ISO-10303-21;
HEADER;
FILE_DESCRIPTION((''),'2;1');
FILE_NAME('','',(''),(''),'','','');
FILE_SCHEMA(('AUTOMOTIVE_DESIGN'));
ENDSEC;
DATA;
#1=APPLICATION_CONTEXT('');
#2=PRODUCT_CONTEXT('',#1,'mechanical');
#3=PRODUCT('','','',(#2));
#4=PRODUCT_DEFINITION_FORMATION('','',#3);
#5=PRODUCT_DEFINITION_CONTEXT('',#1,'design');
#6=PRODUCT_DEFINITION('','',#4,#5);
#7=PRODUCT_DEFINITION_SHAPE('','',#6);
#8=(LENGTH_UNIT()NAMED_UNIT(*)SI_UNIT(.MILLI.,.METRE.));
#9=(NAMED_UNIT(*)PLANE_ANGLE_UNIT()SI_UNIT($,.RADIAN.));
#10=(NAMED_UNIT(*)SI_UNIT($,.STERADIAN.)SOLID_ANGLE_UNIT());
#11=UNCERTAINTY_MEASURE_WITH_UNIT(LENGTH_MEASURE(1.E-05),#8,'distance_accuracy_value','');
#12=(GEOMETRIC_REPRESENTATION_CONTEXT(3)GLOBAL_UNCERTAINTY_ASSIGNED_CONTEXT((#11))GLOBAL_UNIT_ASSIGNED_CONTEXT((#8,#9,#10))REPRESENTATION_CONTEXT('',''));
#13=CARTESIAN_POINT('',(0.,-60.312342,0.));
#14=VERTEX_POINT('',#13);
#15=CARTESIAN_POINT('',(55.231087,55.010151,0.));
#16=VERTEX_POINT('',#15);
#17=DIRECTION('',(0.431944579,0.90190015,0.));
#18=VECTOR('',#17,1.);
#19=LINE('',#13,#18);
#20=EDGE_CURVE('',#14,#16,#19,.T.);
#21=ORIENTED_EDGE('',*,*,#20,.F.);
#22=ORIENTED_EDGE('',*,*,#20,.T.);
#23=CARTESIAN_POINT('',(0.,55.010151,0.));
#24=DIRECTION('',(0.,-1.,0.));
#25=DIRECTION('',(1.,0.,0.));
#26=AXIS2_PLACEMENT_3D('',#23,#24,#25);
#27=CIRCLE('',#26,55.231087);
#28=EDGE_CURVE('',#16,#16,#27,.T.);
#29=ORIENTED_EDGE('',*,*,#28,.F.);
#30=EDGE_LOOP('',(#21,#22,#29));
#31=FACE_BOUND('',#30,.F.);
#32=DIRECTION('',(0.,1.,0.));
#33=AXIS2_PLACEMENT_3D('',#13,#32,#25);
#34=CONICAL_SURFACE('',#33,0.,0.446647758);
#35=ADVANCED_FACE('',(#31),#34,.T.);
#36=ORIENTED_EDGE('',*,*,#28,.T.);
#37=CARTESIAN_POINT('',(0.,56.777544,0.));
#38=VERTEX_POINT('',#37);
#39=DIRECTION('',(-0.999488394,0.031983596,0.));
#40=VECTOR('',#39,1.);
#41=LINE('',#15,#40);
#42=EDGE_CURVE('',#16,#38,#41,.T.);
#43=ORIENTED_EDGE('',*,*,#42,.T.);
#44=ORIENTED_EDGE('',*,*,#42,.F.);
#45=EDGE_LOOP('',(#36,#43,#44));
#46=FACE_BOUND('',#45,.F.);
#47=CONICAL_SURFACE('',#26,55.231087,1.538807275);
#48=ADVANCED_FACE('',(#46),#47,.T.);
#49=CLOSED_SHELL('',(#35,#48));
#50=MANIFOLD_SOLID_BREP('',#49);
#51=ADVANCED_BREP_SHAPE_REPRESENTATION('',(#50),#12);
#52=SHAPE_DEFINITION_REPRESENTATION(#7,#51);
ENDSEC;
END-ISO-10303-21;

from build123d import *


with BuildPart() as f1:
    # F0 (on Top) → F1 (revolve)
    with BuildSketch(Plane.XY):
        Polygon((55.231087, 55.010151), (0, 56.777544), (0, -60.312342), align=None)
    revolve(axis=Axis((0, -1.767399, 0), (0, -1, 0)))


solid = f1.part
